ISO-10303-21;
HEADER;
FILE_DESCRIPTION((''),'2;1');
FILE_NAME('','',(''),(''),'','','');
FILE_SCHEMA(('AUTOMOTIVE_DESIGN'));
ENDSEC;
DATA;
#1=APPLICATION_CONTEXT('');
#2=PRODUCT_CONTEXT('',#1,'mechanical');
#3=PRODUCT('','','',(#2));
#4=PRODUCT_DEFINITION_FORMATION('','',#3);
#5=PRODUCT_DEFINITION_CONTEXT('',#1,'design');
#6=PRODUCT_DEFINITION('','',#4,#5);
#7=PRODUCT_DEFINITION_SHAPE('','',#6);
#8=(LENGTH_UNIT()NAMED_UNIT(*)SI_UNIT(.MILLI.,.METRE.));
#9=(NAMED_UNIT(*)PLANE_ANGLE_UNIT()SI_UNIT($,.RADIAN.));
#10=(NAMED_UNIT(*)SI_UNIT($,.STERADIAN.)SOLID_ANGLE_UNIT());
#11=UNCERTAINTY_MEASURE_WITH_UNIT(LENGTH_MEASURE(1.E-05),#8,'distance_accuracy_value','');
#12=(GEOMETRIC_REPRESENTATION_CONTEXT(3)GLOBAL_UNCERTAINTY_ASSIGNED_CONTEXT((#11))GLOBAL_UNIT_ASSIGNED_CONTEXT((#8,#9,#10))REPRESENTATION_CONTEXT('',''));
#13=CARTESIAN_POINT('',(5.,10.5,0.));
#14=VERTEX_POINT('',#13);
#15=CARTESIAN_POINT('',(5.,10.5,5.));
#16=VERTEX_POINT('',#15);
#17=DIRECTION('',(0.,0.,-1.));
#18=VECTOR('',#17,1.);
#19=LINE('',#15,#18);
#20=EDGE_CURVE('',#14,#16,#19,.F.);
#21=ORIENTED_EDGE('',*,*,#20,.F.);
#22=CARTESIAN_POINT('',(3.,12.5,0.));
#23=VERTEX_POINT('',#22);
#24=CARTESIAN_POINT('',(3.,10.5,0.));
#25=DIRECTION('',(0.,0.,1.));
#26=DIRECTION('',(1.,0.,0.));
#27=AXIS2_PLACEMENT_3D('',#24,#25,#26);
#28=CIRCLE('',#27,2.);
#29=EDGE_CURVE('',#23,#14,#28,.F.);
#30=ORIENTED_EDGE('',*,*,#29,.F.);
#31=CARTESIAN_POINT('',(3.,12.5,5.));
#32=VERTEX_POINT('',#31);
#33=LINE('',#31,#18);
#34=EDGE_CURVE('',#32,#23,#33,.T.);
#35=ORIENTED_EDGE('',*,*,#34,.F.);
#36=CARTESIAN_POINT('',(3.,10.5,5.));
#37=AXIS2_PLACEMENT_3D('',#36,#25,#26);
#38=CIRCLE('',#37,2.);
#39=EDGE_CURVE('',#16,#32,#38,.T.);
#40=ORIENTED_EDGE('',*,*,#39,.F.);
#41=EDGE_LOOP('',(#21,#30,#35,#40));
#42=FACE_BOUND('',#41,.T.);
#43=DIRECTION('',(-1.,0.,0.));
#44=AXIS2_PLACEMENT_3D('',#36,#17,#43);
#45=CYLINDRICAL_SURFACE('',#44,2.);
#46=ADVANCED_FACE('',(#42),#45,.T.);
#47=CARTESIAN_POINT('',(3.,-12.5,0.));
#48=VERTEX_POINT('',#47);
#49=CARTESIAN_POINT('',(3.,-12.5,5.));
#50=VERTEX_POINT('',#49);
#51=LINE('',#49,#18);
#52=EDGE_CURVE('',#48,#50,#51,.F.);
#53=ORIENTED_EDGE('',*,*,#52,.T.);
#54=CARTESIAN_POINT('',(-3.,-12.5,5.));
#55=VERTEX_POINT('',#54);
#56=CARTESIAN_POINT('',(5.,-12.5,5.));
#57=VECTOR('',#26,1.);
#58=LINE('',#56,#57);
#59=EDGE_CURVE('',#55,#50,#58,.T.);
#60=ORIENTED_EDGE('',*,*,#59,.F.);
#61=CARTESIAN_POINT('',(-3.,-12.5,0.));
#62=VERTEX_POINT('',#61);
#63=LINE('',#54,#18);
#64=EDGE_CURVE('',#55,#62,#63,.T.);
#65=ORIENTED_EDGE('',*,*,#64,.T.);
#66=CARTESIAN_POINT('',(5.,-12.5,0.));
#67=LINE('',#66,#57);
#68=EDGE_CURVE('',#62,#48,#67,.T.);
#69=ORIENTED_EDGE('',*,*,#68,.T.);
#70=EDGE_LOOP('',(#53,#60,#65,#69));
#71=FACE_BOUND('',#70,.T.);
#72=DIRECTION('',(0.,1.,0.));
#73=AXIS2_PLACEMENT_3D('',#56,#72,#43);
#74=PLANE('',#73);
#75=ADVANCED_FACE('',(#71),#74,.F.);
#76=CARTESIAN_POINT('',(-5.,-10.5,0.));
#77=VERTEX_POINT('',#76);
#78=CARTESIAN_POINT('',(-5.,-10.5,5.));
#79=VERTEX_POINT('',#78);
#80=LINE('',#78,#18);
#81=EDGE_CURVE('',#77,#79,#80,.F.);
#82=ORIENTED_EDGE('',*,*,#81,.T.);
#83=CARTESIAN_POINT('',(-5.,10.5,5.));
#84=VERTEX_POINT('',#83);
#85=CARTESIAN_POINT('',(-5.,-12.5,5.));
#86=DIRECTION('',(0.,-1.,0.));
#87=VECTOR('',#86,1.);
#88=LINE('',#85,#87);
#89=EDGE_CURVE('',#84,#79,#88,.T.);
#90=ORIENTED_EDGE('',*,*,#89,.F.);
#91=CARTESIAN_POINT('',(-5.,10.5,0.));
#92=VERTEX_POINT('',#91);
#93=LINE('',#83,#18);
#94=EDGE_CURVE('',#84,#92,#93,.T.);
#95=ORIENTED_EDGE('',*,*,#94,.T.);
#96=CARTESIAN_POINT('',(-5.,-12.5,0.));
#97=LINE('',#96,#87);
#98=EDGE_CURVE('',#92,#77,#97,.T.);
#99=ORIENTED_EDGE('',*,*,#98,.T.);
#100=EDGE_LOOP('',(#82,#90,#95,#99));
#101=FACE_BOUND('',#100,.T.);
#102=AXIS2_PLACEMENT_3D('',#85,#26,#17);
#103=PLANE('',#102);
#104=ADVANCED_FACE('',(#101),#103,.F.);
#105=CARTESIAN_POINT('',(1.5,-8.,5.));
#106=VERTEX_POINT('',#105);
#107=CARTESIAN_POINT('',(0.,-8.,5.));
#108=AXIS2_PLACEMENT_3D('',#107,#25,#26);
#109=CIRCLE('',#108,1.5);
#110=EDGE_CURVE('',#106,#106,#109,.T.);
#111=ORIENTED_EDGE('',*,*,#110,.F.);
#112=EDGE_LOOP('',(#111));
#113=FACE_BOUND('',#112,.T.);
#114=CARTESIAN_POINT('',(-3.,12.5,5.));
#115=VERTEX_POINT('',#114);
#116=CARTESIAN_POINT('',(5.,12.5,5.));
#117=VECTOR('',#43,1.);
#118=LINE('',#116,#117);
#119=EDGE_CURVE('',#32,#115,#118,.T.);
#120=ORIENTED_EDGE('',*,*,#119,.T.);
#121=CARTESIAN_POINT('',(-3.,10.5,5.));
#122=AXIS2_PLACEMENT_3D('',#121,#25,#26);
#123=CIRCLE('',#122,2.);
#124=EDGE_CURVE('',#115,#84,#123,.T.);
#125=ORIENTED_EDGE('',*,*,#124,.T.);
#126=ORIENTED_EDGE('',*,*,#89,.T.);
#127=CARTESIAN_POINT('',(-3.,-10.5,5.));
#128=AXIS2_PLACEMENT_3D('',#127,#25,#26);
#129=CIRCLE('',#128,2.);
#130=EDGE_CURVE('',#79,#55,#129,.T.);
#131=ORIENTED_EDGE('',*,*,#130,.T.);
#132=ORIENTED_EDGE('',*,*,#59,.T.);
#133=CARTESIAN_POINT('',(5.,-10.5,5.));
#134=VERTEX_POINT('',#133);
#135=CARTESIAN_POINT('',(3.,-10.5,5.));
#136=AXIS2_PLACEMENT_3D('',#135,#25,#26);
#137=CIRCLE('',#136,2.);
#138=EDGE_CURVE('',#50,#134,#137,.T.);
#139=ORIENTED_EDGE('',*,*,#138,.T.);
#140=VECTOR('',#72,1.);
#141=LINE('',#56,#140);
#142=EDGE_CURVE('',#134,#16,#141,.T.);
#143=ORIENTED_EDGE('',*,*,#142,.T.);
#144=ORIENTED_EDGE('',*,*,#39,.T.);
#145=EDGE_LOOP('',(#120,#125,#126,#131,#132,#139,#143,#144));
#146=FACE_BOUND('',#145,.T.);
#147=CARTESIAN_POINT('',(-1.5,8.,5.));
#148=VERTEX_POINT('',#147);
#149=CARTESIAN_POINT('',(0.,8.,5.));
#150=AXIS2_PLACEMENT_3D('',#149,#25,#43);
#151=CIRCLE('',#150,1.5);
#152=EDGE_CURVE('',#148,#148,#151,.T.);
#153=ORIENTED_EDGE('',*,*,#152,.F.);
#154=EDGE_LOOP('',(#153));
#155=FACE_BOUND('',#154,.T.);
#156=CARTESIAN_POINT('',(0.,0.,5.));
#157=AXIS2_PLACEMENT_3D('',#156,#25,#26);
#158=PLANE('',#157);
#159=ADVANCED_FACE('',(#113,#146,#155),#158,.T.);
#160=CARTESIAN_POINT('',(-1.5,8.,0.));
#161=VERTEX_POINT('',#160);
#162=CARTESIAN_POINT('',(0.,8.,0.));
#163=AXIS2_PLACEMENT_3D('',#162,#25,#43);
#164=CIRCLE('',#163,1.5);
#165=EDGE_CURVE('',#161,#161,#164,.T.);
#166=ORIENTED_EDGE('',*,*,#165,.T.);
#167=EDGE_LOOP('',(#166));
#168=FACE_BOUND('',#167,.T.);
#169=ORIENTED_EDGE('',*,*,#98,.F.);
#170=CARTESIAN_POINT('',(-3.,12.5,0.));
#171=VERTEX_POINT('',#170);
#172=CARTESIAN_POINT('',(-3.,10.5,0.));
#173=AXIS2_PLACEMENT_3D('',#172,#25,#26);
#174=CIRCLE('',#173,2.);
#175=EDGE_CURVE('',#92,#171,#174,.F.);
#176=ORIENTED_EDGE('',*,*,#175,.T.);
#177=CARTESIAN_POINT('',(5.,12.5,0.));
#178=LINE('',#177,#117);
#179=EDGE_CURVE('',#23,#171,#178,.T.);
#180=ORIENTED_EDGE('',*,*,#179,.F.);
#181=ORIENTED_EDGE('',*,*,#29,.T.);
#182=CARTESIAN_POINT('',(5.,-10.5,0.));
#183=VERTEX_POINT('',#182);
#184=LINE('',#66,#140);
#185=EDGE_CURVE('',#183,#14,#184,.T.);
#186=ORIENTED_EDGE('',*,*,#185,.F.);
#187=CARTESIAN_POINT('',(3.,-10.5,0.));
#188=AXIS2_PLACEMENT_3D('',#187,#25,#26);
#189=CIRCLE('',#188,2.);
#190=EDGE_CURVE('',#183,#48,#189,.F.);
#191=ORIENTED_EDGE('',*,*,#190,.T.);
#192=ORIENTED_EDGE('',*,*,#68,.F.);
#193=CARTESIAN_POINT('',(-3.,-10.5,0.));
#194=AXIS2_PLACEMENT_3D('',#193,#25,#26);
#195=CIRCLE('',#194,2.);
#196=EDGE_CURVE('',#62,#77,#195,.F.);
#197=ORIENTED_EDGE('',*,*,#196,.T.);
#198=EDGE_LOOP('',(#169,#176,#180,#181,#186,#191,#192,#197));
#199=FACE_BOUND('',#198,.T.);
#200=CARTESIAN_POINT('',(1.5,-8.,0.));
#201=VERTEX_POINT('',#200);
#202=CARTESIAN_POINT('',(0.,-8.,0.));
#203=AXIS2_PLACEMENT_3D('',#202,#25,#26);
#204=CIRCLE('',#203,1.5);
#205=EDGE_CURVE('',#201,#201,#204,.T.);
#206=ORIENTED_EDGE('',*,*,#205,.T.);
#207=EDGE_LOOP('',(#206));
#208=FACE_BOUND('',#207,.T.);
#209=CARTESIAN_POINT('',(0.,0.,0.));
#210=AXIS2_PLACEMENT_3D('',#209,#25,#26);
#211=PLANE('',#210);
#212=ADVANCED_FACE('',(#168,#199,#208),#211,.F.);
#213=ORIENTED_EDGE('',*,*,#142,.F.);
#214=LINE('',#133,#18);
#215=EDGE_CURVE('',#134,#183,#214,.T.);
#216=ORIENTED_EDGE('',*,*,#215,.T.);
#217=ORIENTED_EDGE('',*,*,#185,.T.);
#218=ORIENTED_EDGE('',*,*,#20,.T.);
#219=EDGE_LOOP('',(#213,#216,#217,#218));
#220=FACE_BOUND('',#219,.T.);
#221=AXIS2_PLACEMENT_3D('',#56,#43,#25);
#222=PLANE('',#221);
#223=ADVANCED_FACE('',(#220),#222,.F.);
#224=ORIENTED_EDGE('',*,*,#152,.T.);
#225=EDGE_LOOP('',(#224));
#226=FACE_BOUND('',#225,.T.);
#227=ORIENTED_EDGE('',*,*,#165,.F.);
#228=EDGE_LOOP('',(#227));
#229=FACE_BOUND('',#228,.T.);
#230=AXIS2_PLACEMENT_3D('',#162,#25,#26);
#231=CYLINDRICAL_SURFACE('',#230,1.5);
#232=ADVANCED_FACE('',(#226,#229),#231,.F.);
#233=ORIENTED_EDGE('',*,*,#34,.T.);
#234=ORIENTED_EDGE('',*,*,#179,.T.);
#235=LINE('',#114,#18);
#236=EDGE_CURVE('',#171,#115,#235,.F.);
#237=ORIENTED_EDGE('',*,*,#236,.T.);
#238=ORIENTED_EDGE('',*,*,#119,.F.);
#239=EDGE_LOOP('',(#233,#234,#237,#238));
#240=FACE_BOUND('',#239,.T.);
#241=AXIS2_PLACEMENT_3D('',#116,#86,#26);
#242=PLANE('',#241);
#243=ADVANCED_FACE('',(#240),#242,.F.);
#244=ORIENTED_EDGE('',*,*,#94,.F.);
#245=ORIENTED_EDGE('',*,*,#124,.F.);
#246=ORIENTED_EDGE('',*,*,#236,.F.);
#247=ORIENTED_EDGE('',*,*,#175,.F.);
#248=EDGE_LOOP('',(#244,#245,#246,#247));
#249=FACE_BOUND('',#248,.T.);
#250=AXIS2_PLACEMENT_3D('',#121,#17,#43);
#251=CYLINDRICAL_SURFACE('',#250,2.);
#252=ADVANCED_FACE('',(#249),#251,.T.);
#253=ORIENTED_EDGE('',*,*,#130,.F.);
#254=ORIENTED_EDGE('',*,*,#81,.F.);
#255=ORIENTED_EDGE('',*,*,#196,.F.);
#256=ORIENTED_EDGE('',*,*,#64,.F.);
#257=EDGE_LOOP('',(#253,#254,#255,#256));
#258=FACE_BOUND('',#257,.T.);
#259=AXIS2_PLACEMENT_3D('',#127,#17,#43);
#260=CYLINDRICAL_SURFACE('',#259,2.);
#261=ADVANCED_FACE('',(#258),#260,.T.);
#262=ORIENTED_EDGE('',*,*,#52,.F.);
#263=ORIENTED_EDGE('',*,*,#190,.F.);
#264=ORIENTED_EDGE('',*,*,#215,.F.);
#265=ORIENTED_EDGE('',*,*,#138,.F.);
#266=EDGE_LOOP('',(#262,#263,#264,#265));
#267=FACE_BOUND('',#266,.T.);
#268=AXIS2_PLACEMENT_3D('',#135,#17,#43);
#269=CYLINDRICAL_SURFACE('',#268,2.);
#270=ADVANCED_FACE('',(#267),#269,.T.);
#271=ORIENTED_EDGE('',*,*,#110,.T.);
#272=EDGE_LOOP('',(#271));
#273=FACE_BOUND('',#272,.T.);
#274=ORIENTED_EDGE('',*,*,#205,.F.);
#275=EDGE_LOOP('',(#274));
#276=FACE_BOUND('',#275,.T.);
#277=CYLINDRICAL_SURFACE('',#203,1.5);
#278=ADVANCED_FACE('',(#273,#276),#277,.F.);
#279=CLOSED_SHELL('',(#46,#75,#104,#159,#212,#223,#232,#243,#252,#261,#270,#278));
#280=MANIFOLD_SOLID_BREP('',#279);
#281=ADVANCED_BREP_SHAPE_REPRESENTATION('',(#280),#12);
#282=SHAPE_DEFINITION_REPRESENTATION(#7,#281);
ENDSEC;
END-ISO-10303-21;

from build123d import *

# Parameters (mm, degrees)
SKETCH_2_W          = 10
SKETCH_2_H          = 25
EXTRUDE_1_DEPTH     = 5
SKETCH_3_R          = 1.5
CUT_EXTRUDE_1_DEPTH = 15.361406616
FILLET_1_R          = 2


with BuildPart() as part:
    # 草图2 → 凸台-拉伸1 (new body)
    with BuildSketch(Plane.XY):
        Rectangle(SKETCH_2_W, SKETCH_2_H)
    extrude(amount=EXTRUDE_1_DEPTH)

    # 草图3 → 切除-拉伸1 (cut, through all)
    with BuildSketch(Plane.XY.offset(5)):
        with Locations((0, -8)):
            Circle(SKETCH_3_R)
        with Locations(Location((0, 8, 0), (0, 0, 180))):
            Circle(SKETCH_3_R)
    extrude(amount=-CUT_EXTRUDE_1_DEPTH, mode=Mode.SUBTRACT)

    # 圆角1
    fillet_1_edges = [part.edges().sort_by_distance(p)[0] for p in [
        (-5, 12.5, 2.5),
        (5, 12.5, 2.5),
        (5, -12.5, 2.5),
        (-5, -12.5, 2.5),
    ]]
    fillet(fillet_1_edges, radius=FILLET_1_R)


solid = part.part
